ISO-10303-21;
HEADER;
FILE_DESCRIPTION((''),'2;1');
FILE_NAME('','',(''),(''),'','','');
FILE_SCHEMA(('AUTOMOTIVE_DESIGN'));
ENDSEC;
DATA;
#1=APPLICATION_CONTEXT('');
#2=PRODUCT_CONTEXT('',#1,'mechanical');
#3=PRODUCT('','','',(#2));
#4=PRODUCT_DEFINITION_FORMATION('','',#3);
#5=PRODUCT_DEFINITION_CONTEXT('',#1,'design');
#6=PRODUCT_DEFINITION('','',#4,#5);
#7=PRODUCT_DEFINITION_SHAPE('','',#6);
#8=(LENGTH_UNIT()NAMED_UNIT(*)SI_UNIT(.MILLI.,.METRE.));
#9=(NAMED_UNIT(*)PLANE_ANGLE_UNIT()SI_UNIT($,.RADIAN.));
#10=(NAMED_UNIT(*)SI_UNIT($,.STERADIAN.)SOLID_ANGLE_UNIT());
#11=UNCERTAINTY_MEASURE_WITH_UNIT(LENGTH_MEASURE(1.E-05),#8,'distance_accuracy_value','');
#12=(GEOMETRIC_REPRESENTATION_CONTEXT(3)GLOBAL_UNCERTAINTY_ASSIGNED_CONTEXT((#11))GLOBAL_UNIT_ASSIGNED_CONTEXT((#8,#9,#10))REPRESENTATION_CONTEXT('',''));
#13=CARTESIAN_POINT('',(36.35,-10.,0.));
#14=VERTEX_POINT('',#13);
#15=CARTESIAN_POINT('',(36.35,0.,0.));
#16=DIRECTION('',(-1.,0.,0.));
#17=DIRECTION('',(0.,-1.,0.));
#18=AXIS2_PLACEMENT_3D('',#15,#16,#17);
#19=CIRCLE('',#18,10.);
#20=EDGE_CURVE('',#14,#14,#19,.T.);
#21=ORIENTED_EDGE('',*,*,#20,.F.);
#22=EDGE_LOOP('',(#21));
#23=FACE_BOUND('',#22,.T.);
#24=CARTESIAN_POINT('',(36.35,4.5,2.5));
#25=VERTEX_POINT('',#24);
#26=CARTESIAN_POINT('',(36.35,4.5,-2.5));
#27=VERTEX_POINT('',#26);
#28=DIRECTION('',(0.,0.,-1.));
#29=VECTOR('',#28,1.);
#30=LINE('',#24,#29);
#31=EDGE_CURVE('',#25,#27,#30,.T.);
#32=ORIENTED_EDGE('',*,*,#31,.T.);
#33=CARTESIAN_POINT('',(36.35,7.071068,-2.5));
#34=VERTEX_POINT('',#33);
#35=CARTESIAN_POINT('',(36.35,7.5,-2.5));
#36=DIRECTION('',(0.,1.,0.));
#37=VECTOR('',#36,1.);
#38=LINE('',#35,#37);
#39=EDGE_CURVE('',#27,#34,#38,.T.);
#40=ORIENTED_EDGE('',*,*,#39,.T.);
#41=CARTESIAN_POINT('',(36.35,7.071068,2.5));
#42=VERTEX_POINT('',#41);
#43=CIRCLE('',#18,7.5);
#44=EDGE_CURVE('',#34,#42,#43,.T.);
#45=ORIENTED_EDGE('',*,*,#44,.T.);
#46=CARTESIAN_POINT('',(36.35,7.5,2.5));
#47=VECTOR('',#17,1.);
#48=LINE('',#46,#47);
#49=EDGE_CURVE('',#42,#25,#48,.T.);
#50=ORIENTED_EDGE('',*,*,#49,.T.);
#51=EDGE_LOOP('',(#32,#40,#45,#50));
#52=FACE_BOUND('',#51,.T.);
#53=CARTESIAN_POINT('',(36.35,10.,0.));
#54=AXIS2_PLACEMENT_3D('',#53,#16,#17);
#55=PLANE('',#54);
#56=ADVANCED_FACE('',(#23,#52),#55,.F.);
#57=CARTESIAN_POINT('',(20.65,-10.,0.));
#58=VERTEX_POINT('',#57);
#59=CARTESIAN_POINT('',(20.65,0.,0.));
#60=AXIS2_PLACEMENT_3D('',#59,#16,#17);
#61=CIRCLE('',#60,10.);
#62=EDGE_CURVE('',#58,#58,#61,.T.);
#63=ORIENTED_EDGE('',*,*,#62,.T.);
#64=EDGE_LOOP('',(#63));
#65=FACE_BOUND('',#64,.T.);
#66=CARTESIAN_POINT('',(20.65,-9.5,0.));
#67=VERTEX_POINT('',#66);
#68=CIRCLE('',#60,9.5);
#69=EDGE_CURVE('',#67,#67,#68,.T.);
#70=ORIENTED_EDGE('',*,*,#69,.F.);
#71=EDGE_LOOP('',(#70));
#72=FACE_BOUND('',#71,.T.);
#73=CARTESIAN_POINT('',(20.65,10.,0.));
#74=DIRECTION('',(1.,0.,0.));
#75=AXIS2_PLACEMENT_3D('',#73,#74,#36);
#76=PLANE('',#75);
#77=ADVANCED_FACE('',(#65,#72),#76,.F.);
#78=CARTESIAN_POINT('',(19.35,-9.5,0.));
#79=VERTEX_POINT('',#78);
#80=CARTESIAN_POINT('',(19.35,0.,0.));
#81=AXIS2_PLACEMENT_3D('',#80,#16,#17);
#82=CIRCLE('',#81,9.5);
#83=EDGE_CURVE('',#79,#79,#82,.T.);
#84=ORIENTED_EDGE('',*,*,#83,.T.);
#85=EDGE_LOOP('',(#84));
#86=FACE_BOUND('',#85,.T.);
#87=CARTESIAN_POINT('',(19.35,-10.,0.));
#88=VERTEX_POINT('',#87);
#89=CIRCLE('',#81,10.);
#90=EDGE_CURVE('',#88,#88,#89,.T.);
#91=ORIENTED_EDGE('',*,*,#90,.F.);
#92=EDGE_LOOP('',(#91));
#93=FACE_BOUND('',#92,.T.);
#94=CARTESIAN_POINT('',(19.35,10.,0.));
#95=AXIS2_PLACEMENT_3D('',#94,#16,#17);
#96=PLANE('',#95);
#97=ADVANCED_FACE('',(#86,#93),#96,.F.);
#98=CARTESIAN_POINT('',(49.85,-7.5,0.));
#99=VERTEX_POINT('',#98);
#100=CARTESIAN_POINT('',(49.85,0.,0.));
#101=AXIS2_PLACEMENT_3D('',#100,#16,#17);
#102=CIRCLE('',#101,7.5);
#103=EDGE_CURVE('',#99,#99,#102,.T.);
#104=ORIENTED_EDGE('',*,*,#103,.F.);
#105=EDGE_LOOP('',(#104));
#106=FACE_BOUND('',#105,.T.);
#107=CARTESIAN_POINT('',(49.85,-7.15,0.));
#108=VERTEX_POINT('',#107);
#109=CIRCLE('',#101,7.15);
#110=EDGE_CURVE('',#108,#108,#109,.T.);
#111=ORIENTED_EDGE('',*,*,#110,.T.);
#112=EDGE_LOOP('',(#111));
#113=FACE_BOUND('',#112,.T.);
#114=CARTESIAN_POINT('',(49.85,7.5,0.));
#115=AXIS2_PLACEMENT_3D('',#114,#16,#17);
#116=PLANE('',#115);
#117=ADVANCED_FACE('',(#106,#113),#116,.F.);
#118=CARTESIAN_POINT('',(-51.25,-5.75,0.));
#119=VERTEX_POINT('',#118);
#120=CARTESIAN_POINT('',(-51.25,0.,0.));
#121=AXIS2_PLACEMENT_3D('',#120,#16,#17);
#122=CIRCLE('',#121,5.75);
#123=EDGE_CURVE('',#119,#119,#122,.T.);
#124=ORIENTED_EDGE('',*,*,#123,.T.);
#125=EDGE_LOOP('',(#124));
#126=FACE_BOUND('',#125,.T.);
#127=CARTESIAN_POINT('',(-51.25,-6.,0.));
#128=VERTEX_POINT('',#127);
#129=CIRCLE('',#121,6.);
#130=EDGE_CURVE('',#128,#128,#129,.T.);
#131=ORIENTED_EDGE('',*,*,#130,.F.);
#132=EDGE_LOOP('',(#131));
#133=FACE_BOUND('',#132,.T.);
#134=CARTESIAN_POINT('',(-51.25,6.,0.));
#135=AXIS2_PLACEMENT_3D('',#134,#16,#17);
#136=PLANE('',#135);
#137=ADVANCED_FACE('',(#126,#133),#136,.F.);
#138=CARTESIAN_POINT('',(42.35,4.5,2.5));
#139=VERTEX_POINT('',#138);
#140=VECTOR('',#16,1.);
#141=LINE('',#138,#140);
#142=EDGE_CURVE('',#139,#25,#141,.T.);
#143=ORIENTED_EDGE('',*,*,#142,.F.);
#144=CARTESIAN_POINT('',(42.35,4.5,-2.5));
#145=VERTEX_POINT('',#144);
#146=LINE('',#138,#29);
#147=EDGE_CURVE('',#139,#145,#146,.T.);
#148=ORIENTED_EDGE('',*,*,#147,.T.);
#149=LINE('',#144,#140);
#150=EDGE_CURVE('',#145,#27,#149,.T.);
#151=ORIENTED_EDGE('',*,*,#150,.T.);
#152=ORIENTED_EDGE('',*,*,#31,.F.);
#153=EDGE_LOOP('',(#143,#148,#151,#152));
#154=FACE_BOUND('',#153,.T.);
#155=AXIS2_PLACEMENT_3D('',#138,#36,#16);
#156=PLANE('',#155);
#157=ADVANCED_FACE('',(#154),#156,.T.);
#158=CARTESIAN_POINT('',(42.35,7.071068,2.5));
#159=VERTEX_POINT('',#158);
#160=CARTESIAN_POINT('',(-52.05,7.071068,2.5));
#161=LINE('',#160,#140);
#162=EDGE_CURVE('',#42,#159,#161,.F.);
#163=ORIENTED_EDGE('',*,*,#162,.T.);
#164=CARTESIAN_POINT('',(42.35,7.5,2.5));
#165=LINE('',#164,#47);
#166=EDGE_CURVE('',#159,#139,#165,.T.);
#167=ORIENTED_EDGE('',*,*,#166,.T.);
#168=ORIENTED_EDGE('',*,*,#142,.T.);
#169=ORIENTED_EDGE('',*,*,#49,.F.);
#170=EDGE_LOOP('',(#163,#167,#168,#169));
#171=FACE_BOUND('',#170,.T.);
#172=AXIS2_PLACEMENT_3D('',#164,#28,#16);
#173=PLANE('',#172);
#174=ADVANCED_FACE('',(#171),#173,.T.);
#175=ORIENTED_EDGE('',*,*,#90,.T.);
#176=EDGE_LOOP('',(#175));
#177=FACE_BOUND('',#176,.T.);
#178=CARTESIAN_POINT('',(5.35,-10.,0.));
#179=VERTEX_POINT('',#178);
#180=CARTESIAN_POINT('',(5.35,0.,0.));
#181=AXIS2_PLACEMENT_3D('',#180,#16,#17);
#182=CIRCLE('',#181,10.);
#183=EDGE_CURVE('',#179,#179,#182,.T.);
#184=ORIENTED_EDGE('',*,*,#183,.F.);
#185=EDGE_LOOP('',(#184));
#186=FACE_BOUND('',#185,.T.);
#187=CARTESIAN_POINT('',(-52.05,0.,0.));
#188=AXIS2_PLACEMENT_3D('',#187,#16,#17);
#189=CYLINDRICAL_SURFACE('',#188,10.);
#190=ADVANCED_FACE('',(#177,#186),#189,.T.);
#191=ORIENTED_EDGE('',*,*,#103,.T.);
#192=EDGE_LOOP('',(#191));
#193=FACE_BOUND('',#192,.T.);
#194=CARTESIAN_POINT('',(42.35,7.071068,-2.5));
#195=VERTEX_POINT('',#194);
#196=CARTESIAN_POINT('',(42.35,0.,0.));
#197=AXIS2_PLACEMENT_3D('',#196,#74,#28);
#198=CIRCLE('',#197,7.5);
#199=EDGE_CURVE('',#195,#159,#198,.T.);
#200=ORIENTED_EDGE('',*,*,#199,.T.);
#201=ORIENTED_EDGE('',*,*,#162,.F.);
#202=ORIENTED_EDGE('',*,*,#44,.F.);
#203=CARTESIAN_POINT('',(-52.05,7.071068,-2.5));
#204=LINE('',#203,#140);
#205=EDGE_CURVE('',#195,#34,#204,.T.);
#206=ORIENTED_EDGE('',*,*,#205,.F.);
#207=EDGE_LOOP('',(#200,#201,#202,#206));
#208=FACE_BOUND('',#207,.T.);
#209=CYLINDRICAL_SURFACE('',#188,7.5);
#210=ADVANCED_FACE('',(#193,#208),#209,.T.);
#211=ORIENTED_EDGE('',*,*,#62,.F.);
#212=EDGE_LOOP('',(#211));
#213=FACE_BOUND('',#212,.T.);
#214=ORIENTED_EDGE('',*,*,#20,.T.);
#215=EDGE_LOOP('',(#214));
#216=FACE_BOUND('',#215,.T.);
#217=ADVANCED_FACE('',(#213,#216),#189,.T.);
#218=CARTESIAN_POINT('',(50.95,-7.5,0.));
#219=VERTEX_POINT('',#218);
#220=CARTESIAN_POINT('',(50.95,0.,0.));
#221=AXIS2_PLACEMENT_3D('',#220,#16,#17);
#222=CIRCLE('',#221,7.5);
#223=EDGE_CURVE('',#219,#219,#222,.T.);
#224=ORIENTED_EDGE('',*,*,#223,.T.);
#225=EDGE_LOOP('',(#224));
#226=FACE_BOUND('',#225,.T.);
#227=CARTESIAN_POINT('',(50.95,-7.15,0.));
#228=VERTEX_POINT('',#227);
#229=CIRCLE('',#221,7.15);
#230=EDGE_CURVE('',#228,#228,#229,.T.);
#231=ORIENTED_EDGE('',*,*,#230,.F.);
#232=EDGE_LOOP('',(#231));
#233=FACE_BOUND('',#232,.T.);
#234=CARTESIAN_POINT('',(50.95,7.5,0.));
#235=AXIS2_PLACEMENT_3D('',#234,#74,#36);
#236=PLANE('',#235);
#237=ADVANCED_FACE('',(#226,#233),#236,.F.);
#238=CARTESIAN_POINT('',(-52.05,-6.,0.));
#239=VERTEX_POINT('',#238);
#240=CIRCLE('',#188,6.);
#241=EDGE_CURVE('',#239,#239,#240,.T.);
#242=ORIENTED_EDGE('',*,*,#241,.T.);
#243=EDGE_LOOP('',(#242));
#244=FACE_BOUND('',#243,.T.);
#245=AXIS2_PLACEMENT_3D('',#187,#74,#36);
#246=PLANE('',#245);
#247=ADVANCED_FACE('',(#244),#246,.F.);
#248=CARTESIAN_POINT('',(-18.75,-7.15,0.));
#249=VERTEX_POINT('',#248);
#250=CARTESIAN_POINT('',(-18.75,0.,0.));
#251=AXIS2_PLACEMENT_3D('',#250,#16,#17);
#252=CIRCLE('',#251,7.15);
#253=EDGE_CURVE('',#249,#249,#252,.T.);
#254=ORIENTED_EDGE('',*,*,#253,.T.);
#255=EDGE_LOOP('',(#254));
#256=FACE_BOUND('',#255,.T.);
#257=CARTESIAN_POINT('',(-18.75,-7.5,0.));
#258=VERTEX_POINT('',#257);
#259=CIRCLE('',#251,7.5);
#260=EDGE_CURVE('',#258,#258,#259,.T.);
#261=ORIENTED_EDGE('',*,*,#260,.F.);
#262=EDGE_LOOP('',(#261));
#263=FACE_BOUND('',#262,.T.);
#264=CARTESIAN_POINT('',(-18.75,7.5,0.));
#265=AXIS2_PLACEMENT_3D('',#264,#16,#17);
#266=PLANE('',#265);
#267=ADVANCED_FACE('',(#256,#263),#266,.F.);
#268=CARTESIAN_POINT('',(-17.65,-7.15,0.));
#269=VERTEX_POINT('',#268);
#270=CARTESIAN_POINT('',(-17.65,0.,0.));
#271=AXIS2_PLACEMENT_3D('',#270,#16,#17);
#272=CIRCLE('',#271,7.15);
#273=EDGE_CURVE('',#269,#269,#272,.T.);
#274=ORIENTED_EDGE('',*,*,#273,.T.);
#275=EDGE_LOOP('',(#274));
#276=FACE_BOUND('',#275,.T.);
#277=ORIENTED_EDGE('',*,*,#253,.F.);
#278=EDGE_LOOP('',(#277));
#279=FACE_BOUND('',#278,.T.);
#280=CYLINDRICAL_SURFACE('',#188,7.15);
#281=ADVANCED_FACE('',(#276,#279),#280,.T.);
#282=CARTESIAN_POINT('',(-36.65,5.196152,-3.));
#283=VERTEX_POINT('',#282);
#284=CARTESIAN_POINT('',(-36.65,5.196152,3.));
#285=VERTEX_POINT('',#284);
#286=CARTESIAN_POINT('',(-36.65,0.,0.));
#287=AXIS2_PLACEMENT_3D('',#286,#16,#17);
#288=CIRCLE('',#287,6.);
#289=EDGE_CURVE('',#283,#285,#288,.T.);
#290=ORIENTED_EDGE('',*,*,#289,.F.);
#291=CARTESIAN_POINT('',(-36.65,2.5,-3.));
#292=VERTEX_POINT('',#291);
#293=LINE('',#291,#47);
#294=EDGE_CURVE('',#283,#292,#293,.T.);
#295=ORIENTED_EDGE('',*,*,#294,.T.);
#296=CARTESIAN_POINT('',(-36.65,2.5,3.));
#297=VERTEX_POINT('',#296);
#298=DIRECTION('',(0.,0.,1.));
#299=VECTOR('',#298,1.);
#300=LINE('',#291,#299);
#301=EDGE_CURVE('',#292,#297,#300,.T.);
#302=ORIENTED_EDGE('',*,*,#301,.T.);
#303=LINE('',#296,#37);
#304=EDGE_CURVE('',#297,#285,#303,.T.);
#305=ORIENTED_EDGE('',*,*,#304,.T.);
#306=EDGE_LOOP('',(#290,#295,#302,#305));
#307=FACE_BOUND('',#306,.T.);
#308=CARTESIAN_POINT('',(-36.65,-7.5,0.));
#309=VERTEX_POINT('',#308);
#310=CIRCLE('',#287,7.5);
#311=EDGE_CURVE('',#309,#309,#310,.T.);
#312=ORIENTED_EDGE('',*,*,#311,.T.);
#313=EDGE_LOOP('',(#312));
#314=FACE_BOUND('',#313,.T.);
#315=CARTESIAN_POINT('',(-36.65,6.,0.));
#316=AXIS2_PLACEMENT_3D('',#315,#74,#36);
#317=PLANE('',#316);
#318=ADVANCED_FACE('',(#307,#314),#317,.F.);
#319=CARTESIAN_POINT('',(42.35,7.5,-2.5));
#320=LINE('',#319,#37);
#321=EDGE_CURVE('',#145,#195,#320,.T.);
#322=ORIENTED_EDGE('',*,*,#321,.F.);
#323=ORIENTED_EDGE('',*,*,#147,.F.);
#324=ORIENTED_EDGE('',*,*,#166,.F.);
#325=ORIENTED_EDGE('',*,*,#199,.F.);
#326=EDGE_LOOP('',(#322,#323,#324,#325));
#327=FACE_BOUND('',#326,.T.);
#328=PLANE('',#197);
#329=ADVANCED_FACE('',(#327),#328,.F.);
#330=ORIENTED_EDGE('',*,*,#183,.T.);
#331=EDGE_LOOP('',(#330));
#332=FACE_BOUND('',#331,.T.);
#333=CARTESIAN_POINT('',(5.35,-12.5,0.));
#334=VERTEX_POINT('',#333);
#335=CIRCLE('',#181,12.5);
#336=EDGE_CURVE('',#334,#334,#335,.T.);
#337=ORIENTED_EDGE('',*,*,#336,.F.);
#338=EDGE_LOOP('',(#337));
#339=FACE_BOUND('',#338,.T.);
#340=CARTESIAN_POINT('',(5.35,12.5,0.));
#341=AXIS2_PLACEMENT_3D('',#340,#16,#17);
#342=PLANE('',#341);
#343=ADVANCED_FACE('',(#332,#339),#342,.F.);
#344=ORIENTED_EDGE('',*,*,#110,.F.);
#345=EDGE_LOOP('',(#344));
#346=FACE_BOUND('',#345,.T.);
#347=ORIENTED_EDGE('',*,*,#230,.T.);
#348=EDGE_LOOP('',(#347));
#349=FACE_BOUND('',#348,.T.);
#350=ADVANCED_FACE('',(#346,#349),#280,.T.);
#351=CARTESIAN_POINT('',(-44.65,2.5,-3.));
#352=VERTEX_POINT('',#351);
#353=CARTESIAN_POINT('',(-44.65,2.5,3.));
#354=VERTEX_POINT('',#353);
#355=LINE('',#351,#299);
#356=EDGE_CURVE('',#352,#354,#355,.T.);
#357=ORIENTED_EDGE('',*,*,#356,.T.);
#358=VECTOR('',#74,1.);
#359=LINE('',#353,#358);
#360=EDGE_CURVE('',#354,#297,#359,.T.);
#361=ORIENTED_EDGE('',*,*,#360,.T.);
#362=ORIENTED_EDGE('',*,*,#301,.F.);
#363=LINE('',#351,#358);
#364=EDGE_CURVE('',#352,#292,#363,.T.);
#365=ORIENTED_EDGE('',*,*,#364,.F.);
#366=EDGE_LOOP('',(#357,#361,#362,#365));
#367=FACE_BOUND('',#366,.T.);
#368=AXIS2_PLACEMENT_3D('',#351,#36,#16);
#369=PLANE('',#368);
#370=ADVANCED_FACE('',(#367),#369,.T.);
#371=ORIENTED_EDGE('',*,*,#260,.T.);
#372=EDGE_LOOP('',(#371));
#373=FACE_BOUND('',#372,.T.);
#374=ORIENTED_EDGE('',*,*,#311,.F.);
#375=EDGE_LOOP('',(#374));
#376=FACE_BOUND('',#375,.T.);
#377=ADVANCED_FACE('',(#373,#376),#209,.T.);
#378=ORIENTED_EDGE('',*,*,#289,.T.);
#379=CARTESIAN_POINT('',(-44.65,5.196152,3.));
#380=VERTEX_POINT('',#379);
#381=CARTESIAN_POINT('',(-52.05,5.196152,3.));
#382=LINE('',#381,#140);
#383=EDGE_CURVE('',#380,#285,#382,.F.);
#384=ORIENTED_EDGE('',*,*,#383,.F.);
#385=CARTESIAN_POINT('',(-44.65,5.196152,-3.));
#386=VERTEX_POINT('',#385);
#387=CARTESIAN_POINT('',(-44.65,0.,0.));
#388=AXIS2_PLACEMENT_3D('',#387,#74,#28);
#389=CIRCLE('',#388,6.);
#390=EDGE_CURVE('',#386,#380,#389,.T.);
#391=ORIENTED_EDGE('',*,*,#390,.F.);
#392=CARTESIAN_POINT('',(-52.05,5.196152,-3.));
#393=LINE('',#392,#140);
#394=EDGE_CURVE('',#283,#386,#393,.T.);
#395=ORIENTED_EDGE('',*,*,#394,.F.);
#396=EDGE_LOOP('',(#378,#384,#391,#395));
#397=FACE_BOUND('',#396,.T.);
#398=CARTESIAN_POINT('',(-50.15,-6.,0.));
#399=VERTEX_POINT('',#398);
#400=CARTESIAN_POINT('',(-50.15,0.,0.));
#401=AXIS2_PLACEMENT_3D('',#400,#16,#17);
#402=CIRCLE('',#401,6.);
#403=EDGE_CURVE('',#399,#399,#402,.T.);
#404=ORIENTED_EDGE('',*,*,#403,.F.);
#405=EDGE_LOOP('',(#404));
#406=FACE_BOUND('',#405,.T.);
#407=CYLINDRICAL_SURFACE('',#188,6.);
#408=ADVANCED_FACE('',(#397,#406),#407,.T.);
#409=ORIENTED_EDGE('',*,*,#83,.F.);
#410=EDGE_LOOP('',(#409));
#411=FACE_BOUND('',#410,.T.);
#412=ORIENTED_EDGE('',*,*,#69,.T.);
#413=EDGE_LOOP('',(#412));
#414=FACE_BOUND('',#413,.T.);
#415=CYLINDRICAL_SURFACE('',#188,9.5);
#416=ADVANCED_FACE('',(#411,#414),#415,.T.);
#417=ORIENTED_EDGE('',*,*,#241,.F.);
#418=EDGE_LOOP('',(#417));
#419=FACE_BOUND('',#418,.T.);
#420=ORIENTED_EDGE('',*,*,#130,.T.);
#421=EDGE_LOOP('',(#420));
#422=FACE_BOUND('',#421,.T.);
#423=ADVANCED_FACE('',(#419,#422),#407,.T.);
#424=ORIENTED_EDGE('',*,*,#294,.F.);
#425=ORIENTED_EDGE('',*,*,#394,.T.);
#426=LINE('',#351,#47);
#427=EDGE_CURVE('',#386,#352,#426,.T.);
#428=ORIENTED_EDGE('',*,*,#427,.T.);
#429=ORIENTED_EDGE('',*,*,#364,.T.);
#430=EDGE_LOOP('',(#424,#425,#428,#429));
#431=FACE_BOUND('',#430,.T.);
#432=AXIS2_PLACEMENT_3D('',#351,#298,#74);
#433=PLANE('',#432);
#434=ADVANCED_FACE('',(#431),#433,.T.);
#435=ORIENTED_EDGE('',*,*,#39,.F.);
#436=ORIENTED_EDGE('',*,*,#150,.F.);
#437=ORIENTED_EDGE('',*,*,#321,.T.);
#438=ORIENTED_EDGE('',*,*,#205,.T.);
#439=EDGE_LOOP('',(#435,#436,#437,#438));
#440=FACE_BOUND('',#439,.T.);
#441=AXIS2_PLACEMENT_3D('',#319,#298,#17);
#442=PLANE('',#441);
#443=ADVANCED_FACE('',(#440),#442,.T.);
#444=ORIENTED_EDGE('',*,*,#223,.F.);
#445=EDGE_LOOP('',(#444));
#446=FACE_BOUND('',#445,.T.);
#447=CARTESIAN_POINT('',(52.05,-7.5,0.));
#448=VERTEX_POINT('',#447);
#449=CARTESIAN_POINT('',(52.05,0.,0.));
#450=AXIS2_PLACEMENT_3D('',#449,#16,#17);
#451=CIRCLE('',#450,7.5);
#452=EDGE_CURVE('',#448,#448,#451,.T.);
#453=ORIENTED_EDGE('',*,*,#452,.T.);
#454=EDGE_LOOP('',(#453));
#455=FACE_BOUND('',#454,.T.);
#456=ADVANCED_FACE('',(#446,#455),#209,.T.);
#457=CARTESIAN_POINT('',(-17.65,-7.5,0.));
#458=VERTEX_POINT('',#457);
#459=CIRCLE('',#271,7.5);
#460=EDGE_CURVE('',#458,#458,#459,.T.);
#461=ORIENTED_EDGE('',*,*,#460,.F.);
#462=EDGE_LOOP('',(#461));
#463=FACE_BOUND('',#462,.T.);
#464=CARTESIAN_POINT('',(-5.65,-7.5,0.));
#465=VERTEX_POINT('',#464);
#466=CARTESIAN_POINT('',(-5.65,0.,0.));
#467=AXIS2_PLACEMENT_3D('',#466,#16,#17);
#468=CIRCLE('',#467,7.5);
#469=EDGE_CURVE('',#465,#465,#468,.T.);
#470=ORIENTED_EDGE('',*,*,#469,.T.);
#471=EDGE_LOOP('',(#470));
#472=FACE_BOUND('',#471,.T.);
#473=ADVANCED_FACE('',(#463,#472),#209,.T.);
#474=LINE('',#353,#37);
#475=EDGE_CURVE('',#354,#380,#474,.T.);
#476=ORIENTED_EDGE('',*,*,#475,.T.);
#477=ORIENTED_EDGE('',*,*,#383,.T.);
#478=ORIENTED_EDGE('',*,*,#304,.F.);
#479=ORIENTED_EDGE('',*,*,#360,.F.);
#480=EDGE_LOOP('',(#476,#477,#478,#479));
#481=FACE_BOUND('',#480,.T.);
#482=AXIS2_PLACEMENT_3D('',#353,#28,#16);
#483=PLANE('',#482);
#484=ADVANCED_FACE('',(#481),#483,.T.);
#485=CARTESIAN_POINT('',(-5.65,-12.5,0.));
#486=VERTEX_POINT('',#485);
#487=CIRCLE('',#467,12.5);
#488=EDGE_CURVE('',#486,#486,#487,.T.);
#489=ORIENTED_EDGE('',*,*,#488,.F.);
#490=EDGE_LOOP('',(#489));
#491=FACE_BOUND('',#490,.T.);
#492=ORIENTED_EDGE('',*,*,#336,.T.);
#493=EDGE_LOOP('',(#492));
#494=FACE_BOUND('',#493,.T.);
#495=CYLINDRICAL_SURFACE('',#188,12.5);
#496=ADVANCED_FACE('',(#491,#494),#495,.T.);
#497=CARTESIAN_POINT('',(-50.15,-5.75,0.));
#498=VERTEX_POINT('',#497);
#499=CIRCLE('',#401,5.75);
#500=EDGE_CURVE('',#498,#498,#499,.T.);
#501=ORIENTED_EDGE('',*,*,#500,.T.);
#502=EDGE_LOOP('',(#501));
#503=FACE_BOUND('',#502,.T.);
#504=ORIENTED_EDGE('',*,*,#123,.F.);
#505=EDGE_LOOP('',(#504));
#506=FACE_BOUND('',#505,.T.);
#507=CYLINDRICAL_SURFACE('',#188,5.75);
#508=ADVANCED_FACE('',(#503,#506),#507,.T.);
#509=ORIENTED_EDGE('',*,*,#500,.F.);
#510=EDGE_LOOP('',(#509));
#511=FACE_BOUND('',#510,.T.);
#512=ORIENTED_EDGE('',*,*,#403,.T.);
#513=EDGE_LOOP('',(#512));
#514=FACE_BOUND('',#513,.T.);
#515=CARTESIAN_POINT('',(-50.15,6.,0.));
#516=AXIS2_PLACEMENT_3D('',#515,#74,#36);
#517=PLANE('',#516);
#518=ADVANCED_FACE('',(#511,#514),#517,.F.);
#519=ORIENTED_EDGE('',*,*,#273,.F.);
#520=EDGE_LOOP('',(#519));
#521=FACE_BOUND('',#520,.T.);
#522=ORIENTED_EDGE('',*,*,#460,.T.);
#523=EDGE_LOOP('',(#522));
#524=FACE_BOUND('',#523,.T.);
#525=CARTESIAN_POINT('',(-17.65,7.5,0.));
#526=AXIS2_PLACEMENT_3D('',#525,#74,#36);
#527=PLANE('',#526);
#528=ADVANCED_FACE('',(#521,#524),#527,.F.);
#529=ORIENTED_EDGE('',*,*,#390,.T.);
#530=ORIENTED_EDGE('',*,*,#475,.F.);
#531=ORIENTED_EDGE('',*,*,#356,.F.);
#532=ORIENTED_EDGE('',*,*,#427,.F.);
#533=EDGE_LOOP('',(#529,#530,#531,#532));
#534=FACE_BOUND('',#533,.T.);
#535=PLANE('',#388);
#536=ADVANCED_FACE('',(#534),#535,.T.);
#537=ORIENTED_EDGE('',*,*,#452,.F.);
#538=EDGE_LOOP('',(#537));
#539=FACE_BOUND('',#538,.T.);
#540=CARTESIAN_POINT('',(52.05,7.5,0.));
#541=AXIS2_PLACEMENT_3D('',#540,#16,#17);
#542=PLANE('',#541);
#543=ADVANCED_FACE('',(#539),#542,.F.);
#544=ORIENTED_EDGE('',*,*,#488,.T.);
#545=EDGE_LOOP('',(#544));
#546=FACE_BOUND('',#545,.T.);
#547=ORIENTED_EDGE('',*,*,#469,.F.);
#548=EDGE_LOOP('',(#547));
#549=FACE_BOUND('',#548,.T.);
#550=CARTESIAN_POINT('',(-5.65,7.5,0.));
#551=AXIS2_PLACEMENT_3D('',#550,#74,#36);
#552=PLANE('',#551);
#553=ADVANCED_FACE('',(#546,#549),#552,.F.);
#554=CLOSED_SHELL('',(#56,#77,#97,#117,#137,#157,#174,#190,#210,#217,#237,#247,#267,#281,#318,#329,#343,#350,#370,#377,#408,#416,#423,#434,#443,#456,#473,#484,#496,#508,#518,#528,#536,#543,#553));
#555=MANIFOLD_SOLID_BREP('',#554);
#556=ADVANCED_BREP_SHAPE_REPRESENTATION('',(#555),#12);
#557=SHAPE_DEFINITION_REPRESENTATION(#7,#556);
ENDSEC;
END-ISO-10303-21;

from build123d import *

# Parameters (mm, degrees)
SKETCH3_W          = 6
SKETCH3_H          = 3.5
CUT_EXTRUDE1_DEPTH = 8
SKETCH4_W          = 5
SKETCH4_H          = 3
CUT_EXTRUDE3_DEPTH = 6


with BuildPart() as part:
    # Sketch1 → Revolve1 (revolve)
    with BuildSketch(Plane.XY):
        Polygon((-52.05, 0), (52.05, 0), (52.05, 7.5), (50.95, 7.5), (50.95, 7.15), (49.85, 7.15), (49.85, 7.5), (36.35, 7.5), (36.35, 10), (20.65, 10), (20.65, 9.5), (19.35, 9.5), (19.35, 10), (5.35, 10), (5.35, 12.5), (-5.65, 12.5), (-5.65, 7.5), (-17.65, 7.5), (-17.65, 7.15), (-18.75, 7.15), (-18.75, 7.5), (-36.65, 7.5), (-36.65, 6), (-50.15, 6), (-50.15, 5.75), (-51.25, 5.75), (-51.25, 6), (-52.05, 6), align=None)
    revolve(axis=Axis((-52.05, 0, 0), (1, 0, 0)))

    # Sketch3 → Cut-Extrude1 (cut)
    with BuildSketch(Plane.ZY.offset(36.65)):
        with Locations((0, 4.25)):
            Rectangle(SKETCH3_W, SKETCH3_H)
    extrude(amount=CUT_EXTRUDE1_DEPTH, mode=Mode.SUBTRACT)

    # Sketch4 → Cut-Extrude3 (cut)
    with BuildSketch(Plane(origin=(36.35, 0, 0), x_dir=(0, 0, -1), z_dir=(1, 0, 0))):
        with Locations((0, 6)):
            Rectangle(SKETCH4_W, SKETCH4_H)
    extrude(amount=CUT_EXTRUDE3_DEPTH, mode=Mode.SUBTRACT)


solid = part.part
